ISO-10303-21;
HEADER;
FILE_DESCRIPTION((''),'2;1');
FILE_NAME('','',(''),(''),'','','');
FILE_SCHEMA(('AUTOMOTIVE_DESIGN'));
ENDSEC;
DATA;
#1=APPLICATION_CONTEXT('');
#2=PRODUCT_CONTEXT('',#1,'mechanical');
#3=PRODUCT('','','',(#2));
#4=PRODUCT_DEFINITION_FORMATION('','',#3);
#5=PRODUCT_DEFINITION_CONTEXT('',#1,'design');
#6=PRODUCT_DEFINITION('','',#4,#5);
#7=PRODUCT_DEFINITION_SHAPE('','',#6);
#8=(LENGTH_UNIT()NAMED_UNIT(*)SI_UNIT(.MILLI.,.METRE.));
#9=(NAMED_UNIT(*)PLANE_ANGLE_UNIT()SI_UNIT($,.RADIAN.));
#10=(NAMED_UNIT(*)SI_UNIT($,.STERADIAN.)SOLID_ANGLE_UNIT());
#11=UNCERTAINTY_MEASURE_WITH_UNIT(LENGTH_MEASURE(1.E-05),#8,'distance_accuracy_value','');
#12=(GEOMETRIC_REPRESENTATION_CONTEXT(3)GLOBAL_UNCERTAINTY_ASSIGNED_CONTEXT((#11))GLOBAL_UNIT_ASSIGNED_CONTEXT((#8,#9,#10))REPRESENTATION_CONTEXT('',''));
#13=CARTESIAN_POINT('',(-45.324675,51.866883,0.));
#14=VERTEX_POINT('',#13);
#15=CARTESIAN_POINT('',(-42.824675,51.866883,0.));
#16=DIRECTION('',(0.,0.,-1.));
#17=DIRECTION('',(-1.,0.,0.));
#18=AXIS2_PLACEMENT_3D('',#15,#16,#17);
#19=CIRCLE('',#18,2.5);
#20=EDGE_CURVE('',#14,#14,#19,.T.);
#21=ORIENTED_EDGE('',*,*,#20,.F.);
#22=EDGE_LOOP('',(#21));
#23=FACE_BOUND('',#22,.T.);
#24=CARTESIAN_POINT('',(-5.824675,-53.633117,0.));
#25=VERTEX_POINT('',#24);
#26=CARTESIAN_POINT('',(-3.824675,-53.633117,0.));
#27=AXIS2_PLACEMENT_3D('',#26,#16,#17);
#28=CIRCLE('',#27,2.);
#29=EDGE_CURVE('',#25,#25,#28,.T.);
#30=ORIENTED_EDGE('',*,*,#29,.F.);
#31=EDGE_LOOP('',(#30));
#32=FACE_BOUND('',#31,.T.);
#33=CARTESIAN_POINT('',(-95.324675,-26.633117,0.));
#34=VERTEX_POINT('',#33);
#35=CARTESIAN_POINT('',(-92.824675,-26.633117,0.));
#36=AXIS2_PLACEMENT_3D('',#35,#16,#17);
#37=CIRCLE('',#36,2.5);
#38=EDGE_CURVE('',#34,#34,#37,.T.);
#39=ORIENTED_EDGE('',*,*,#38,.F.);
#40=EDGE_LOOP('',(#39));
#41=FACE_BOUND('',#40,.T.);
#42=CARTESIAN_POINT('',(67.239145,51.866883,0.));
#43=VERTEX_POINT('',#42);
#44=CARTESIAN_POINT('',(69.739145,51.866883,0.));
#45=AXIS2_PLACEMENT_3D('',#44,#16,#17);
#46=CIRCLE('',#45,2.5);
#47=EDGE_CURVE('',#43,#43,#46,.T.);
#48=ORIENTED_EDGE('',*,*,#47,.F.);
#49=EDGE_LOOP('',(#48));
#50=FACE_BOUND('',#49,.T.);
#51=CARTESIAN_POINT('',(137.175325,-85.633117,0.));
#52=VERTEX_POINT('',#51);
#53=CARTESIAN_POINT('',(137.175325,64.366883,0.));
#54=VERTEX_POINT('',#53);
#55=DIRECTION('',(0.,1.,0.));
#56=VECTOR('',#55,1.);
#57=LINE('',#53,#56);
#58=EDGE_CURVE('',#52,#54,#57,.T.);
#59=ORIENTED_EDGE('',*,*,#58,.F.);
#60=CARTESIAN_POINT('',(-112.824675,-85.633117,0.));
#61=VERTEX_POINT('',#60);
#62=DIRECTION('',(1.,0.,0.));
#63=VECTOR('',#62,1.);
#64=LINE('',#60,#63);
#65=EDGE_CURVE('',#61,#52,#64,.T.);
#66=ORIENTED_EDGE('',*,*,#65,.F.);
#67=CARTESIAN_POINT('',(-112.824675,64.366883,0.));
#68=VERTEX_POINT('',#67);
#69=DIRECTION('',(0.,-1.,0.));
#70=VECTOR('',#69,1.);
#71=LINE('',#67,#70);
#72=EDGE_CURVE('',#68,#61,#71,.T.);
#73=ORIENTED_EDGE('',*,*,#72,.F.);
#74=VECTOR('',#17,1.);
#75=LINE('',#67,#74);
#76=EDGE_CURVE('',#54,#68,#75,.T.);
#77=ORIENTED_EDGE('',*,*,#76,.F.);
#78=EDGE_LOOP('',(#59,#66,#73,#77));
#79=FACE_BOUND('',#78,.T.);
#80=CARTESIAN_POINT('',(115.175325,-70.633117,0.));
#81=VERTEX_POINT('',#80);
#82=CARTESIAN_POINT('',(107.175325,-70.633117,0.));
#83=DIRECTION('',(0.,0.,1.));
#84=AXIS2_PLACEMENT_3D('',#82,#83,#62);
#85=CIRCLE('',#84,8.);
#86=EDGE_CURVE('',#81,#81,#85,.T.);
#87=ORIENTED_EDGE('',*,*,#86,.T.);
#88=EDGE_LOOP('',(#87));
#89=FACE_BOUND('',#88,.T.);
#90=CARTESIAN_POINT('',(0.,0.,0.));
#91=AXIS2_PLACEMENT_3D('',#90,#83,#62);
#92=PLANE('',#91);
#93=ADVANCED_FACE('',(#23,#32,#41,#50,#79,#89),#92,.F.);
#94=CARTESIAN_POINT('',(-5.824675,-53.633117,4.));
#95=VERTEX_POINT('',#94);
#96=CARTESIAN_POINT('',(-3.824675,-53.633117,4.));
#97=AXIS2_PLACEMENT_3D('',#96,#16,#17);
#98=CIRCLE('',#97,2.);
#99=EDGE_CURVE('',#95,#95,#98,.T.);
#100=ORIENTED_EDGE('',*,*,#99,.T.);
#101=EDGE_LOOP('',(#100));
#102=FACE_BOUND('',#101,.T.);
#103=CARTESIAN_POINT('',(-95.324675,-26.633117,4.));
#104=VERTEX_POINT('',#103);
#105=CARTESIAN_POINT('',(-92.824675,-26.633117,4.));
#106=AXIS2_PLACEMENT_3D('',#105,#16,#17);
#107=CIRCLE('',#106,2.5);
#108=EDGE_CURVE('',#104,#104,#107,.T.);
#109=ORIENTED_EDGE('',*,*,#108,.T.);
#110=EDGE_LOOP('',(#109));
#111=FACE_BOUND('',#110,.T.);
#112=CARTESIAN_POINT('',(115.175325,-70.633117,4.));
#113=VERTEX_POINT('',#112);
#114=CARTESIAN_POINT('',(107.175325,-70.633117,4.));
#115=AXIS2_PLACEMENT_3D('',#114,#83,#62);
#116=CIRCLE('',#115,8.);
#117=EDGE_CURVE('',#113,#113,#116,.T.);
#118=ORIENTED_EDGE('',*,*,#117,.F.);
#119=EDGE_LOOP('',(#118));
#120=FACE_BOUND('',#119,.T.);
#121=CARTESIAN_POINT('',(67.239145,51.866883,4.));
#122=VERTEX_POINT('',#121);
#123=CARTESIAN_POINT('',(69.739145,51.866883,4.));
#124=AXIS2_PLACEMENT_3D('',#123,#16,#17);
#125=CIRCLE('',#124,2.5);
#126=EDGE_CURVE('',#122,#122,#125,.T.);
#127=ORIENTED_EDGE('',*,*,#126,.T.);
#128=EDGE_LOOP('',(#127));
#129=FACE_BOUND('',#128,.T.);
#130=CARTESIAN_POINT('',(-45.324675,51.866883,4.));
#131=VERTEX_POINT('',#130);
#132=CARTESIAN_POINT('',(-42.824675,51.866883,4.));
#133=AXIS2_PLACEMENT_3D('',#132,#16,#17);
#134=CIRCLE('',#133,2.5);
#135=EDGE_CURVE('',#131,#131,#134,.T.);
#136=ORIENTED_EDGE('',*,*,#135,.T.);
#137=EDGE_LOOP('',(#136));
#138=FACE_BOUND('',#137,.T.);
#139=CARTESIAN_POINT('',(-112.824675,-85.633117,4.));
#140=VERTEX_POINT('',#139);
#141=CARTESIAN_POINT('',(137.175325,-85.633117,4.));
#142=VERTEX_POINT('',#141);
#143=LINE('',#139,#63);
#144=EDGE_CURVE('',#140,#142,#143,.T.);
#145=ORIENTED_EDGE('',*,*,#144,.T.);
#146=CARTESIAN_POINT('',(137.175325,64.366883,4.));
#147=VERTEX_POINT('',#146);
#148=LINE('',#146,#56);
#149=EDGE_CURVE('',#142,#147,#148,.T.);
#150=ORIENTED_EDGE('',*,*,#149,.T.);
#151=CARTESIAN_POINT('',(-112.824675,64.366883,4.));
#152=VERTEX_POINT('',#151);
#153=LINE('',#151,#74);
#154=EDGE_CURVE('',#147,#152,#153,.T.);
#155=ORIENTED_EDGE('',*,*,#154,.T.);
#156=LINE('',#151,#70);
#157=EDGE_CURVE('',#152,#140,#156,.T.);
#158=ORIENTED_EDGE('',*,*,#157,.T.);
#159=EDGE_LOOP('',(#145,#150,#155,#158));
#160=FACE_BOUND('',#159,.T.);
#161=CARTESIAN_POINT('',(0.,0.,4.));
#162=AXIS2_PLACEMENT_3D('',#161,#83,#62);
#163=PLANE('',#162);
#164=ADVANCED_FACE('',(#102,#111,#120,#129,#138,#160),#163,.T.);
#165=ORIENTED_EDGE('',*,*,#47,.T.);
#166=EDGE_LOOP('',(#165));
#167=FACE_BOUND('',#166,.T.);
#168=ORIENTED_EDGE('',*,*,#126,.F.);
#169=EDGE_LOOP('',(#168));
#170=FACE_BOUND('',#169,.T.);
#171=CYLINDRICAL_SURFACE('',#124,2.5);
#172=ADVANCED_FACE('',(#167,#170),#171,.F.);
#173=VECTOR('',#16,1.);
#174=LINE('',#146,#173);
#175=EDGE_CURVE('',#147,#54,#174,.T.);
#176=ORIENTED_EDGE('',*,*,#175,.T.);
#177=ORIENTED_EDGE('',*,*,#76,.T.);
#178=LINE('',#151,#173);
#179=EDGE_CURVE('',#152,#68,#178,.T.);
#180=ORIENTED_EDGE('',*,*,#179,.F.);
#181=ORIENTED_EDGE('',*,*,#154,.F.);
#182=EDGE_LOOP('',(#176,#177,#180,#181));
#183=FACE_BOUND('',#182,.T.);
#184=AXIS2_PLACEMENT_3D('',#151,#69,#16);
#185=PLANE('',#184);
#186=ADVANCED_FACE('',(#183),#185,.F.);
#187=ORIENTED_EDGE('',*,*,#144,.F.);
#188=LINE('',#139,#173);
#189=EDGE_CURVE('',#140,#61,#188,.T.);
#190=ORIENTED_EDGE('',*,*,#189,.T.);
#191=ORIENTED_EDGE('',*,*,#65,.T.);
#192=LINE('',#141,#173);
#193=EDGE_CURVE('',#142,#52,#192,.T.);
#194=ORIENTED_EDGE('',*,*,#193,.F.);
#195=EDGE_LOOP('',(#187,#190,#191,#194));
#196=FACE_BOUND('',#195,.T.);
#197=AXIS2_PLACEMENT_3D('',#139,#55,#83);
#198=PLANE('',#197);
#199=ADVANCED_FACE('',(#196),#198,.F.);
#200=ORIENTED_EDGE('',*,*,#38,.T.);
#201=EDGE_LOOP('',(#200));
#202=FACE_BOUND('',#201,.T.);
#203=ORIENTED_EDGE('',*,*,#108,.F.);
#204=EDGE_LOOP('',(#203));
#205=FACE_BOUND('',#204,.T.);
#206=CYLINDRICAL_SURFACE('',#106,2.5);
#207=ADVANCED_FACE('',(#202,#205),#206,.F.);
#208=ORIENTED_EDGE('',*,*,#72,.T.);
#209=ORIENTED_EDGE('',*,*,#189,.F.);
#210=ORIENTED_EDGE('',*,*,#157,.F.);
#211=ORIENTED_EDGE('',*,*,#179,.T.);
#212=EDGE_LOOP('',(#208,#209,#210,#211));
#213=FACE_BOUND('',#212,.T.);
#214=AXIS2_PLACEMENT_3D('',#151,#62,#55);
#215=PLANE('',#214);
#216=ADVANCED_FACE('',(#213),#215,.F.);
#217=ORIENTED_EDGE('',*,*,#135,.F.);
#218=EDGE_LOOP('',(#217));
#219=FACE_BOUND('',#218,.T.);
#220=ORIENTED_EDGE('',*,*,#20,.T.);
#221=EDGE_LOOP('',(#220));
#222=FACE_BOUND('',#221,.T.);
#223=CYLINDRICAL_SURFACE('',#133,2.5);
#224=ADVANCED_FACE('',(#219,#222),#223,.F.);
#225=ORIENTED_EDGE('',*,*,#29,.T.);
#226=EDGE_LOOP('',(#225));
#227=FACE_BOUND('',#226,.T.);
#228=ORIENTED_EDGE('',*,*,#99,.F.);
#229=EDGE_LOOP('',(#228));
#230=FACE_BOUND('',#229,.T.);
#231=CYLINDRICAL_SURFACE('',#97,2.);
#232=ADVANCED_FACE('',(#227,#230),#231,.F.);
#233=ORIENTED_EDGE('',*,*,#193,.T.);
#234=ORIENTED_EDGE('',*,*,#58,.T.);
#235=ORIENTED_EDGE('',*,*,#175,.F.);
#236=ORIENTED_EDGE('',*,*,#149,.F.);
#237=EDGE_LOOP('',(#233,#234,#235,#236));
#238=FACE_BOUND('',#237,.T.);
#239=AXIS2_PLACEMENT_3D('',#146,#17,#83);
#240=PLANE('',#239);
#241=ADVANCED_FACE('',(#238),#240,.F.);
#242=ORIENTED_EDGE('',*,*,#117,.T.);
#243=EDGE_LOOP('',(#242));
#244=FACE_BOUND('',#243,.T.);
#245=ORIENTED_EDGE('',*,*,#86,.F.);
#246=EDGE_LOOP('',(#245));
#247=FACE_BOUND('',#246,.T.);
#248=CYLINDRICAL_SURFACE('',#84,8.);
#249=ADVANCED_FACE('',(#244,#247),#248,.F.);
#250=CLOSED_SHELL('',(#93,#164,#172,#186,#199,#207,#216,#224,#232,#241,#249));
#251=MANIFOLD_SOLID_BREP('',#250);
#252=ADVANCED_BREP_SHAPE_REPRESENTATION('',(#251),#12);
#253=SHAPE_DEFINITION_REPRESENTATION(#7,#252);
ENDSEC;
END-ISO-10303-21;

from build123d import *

# Parameters (mm, degrees)
SKETCH1_W           = 250
SKETCH1_H           = 150
BOSS_EXTRUDE1_DEPTH = 4
SKETCH2_R           = 8
CUT_EXTRUDE1_DEPTH  = 4
SKETCH3_R           = 2.5
SKETCH3_R_2         = 2
CUT_EXTRUDE2_DEPTH  = 4


with BuildPart() as part:
    # Sketch1 → Boss-Extrude1 (new body)
    with BuildSketch(Plane.XY):
        with Locations((12.175324675, -10.633116883)):
            Rectangle(SKETCH1_W, SKETCH1_H)
    extrude(amount=BOSS_EXTRUDE1_DEPTH)

    # Sketch2 → Cut-Extrude1 (cut)
    with BuildSketch(Plane.XY.offset(4)):
        with Locations((107.175324675, -70.633116883)):
            Circle(SKETCH2_R)
    extrude(amount=-CUT_EXTRUDE1_DEPTH, mode=Mode.SUBTRACT)

    # Sketch3 → Cut-Extrude2 (cut)
    with BuildSketch(Plane(origin=(0, 0, 0), x_dir=(-1, 0, 0), z_dir=(0, 0, -1))):
        with Locations((42.824675325, 51.866883117)):
            Circle(SKETCH3_R)
        with Locations((92.824675325, -26.633116883)):
            Circle(SKETCH3_R)
        with Locations((-69.739145404, 51.866883117)):
            Circle(SKETCH3_R)
        with Locations((3.824675325, -53.633116883)):
            Circle(SKETCH3_R_2)
    extrude(amount=-CUT_EXTRUDE2_DEPTH, mode=Mode.SUBTRACT)


solid = part.part
